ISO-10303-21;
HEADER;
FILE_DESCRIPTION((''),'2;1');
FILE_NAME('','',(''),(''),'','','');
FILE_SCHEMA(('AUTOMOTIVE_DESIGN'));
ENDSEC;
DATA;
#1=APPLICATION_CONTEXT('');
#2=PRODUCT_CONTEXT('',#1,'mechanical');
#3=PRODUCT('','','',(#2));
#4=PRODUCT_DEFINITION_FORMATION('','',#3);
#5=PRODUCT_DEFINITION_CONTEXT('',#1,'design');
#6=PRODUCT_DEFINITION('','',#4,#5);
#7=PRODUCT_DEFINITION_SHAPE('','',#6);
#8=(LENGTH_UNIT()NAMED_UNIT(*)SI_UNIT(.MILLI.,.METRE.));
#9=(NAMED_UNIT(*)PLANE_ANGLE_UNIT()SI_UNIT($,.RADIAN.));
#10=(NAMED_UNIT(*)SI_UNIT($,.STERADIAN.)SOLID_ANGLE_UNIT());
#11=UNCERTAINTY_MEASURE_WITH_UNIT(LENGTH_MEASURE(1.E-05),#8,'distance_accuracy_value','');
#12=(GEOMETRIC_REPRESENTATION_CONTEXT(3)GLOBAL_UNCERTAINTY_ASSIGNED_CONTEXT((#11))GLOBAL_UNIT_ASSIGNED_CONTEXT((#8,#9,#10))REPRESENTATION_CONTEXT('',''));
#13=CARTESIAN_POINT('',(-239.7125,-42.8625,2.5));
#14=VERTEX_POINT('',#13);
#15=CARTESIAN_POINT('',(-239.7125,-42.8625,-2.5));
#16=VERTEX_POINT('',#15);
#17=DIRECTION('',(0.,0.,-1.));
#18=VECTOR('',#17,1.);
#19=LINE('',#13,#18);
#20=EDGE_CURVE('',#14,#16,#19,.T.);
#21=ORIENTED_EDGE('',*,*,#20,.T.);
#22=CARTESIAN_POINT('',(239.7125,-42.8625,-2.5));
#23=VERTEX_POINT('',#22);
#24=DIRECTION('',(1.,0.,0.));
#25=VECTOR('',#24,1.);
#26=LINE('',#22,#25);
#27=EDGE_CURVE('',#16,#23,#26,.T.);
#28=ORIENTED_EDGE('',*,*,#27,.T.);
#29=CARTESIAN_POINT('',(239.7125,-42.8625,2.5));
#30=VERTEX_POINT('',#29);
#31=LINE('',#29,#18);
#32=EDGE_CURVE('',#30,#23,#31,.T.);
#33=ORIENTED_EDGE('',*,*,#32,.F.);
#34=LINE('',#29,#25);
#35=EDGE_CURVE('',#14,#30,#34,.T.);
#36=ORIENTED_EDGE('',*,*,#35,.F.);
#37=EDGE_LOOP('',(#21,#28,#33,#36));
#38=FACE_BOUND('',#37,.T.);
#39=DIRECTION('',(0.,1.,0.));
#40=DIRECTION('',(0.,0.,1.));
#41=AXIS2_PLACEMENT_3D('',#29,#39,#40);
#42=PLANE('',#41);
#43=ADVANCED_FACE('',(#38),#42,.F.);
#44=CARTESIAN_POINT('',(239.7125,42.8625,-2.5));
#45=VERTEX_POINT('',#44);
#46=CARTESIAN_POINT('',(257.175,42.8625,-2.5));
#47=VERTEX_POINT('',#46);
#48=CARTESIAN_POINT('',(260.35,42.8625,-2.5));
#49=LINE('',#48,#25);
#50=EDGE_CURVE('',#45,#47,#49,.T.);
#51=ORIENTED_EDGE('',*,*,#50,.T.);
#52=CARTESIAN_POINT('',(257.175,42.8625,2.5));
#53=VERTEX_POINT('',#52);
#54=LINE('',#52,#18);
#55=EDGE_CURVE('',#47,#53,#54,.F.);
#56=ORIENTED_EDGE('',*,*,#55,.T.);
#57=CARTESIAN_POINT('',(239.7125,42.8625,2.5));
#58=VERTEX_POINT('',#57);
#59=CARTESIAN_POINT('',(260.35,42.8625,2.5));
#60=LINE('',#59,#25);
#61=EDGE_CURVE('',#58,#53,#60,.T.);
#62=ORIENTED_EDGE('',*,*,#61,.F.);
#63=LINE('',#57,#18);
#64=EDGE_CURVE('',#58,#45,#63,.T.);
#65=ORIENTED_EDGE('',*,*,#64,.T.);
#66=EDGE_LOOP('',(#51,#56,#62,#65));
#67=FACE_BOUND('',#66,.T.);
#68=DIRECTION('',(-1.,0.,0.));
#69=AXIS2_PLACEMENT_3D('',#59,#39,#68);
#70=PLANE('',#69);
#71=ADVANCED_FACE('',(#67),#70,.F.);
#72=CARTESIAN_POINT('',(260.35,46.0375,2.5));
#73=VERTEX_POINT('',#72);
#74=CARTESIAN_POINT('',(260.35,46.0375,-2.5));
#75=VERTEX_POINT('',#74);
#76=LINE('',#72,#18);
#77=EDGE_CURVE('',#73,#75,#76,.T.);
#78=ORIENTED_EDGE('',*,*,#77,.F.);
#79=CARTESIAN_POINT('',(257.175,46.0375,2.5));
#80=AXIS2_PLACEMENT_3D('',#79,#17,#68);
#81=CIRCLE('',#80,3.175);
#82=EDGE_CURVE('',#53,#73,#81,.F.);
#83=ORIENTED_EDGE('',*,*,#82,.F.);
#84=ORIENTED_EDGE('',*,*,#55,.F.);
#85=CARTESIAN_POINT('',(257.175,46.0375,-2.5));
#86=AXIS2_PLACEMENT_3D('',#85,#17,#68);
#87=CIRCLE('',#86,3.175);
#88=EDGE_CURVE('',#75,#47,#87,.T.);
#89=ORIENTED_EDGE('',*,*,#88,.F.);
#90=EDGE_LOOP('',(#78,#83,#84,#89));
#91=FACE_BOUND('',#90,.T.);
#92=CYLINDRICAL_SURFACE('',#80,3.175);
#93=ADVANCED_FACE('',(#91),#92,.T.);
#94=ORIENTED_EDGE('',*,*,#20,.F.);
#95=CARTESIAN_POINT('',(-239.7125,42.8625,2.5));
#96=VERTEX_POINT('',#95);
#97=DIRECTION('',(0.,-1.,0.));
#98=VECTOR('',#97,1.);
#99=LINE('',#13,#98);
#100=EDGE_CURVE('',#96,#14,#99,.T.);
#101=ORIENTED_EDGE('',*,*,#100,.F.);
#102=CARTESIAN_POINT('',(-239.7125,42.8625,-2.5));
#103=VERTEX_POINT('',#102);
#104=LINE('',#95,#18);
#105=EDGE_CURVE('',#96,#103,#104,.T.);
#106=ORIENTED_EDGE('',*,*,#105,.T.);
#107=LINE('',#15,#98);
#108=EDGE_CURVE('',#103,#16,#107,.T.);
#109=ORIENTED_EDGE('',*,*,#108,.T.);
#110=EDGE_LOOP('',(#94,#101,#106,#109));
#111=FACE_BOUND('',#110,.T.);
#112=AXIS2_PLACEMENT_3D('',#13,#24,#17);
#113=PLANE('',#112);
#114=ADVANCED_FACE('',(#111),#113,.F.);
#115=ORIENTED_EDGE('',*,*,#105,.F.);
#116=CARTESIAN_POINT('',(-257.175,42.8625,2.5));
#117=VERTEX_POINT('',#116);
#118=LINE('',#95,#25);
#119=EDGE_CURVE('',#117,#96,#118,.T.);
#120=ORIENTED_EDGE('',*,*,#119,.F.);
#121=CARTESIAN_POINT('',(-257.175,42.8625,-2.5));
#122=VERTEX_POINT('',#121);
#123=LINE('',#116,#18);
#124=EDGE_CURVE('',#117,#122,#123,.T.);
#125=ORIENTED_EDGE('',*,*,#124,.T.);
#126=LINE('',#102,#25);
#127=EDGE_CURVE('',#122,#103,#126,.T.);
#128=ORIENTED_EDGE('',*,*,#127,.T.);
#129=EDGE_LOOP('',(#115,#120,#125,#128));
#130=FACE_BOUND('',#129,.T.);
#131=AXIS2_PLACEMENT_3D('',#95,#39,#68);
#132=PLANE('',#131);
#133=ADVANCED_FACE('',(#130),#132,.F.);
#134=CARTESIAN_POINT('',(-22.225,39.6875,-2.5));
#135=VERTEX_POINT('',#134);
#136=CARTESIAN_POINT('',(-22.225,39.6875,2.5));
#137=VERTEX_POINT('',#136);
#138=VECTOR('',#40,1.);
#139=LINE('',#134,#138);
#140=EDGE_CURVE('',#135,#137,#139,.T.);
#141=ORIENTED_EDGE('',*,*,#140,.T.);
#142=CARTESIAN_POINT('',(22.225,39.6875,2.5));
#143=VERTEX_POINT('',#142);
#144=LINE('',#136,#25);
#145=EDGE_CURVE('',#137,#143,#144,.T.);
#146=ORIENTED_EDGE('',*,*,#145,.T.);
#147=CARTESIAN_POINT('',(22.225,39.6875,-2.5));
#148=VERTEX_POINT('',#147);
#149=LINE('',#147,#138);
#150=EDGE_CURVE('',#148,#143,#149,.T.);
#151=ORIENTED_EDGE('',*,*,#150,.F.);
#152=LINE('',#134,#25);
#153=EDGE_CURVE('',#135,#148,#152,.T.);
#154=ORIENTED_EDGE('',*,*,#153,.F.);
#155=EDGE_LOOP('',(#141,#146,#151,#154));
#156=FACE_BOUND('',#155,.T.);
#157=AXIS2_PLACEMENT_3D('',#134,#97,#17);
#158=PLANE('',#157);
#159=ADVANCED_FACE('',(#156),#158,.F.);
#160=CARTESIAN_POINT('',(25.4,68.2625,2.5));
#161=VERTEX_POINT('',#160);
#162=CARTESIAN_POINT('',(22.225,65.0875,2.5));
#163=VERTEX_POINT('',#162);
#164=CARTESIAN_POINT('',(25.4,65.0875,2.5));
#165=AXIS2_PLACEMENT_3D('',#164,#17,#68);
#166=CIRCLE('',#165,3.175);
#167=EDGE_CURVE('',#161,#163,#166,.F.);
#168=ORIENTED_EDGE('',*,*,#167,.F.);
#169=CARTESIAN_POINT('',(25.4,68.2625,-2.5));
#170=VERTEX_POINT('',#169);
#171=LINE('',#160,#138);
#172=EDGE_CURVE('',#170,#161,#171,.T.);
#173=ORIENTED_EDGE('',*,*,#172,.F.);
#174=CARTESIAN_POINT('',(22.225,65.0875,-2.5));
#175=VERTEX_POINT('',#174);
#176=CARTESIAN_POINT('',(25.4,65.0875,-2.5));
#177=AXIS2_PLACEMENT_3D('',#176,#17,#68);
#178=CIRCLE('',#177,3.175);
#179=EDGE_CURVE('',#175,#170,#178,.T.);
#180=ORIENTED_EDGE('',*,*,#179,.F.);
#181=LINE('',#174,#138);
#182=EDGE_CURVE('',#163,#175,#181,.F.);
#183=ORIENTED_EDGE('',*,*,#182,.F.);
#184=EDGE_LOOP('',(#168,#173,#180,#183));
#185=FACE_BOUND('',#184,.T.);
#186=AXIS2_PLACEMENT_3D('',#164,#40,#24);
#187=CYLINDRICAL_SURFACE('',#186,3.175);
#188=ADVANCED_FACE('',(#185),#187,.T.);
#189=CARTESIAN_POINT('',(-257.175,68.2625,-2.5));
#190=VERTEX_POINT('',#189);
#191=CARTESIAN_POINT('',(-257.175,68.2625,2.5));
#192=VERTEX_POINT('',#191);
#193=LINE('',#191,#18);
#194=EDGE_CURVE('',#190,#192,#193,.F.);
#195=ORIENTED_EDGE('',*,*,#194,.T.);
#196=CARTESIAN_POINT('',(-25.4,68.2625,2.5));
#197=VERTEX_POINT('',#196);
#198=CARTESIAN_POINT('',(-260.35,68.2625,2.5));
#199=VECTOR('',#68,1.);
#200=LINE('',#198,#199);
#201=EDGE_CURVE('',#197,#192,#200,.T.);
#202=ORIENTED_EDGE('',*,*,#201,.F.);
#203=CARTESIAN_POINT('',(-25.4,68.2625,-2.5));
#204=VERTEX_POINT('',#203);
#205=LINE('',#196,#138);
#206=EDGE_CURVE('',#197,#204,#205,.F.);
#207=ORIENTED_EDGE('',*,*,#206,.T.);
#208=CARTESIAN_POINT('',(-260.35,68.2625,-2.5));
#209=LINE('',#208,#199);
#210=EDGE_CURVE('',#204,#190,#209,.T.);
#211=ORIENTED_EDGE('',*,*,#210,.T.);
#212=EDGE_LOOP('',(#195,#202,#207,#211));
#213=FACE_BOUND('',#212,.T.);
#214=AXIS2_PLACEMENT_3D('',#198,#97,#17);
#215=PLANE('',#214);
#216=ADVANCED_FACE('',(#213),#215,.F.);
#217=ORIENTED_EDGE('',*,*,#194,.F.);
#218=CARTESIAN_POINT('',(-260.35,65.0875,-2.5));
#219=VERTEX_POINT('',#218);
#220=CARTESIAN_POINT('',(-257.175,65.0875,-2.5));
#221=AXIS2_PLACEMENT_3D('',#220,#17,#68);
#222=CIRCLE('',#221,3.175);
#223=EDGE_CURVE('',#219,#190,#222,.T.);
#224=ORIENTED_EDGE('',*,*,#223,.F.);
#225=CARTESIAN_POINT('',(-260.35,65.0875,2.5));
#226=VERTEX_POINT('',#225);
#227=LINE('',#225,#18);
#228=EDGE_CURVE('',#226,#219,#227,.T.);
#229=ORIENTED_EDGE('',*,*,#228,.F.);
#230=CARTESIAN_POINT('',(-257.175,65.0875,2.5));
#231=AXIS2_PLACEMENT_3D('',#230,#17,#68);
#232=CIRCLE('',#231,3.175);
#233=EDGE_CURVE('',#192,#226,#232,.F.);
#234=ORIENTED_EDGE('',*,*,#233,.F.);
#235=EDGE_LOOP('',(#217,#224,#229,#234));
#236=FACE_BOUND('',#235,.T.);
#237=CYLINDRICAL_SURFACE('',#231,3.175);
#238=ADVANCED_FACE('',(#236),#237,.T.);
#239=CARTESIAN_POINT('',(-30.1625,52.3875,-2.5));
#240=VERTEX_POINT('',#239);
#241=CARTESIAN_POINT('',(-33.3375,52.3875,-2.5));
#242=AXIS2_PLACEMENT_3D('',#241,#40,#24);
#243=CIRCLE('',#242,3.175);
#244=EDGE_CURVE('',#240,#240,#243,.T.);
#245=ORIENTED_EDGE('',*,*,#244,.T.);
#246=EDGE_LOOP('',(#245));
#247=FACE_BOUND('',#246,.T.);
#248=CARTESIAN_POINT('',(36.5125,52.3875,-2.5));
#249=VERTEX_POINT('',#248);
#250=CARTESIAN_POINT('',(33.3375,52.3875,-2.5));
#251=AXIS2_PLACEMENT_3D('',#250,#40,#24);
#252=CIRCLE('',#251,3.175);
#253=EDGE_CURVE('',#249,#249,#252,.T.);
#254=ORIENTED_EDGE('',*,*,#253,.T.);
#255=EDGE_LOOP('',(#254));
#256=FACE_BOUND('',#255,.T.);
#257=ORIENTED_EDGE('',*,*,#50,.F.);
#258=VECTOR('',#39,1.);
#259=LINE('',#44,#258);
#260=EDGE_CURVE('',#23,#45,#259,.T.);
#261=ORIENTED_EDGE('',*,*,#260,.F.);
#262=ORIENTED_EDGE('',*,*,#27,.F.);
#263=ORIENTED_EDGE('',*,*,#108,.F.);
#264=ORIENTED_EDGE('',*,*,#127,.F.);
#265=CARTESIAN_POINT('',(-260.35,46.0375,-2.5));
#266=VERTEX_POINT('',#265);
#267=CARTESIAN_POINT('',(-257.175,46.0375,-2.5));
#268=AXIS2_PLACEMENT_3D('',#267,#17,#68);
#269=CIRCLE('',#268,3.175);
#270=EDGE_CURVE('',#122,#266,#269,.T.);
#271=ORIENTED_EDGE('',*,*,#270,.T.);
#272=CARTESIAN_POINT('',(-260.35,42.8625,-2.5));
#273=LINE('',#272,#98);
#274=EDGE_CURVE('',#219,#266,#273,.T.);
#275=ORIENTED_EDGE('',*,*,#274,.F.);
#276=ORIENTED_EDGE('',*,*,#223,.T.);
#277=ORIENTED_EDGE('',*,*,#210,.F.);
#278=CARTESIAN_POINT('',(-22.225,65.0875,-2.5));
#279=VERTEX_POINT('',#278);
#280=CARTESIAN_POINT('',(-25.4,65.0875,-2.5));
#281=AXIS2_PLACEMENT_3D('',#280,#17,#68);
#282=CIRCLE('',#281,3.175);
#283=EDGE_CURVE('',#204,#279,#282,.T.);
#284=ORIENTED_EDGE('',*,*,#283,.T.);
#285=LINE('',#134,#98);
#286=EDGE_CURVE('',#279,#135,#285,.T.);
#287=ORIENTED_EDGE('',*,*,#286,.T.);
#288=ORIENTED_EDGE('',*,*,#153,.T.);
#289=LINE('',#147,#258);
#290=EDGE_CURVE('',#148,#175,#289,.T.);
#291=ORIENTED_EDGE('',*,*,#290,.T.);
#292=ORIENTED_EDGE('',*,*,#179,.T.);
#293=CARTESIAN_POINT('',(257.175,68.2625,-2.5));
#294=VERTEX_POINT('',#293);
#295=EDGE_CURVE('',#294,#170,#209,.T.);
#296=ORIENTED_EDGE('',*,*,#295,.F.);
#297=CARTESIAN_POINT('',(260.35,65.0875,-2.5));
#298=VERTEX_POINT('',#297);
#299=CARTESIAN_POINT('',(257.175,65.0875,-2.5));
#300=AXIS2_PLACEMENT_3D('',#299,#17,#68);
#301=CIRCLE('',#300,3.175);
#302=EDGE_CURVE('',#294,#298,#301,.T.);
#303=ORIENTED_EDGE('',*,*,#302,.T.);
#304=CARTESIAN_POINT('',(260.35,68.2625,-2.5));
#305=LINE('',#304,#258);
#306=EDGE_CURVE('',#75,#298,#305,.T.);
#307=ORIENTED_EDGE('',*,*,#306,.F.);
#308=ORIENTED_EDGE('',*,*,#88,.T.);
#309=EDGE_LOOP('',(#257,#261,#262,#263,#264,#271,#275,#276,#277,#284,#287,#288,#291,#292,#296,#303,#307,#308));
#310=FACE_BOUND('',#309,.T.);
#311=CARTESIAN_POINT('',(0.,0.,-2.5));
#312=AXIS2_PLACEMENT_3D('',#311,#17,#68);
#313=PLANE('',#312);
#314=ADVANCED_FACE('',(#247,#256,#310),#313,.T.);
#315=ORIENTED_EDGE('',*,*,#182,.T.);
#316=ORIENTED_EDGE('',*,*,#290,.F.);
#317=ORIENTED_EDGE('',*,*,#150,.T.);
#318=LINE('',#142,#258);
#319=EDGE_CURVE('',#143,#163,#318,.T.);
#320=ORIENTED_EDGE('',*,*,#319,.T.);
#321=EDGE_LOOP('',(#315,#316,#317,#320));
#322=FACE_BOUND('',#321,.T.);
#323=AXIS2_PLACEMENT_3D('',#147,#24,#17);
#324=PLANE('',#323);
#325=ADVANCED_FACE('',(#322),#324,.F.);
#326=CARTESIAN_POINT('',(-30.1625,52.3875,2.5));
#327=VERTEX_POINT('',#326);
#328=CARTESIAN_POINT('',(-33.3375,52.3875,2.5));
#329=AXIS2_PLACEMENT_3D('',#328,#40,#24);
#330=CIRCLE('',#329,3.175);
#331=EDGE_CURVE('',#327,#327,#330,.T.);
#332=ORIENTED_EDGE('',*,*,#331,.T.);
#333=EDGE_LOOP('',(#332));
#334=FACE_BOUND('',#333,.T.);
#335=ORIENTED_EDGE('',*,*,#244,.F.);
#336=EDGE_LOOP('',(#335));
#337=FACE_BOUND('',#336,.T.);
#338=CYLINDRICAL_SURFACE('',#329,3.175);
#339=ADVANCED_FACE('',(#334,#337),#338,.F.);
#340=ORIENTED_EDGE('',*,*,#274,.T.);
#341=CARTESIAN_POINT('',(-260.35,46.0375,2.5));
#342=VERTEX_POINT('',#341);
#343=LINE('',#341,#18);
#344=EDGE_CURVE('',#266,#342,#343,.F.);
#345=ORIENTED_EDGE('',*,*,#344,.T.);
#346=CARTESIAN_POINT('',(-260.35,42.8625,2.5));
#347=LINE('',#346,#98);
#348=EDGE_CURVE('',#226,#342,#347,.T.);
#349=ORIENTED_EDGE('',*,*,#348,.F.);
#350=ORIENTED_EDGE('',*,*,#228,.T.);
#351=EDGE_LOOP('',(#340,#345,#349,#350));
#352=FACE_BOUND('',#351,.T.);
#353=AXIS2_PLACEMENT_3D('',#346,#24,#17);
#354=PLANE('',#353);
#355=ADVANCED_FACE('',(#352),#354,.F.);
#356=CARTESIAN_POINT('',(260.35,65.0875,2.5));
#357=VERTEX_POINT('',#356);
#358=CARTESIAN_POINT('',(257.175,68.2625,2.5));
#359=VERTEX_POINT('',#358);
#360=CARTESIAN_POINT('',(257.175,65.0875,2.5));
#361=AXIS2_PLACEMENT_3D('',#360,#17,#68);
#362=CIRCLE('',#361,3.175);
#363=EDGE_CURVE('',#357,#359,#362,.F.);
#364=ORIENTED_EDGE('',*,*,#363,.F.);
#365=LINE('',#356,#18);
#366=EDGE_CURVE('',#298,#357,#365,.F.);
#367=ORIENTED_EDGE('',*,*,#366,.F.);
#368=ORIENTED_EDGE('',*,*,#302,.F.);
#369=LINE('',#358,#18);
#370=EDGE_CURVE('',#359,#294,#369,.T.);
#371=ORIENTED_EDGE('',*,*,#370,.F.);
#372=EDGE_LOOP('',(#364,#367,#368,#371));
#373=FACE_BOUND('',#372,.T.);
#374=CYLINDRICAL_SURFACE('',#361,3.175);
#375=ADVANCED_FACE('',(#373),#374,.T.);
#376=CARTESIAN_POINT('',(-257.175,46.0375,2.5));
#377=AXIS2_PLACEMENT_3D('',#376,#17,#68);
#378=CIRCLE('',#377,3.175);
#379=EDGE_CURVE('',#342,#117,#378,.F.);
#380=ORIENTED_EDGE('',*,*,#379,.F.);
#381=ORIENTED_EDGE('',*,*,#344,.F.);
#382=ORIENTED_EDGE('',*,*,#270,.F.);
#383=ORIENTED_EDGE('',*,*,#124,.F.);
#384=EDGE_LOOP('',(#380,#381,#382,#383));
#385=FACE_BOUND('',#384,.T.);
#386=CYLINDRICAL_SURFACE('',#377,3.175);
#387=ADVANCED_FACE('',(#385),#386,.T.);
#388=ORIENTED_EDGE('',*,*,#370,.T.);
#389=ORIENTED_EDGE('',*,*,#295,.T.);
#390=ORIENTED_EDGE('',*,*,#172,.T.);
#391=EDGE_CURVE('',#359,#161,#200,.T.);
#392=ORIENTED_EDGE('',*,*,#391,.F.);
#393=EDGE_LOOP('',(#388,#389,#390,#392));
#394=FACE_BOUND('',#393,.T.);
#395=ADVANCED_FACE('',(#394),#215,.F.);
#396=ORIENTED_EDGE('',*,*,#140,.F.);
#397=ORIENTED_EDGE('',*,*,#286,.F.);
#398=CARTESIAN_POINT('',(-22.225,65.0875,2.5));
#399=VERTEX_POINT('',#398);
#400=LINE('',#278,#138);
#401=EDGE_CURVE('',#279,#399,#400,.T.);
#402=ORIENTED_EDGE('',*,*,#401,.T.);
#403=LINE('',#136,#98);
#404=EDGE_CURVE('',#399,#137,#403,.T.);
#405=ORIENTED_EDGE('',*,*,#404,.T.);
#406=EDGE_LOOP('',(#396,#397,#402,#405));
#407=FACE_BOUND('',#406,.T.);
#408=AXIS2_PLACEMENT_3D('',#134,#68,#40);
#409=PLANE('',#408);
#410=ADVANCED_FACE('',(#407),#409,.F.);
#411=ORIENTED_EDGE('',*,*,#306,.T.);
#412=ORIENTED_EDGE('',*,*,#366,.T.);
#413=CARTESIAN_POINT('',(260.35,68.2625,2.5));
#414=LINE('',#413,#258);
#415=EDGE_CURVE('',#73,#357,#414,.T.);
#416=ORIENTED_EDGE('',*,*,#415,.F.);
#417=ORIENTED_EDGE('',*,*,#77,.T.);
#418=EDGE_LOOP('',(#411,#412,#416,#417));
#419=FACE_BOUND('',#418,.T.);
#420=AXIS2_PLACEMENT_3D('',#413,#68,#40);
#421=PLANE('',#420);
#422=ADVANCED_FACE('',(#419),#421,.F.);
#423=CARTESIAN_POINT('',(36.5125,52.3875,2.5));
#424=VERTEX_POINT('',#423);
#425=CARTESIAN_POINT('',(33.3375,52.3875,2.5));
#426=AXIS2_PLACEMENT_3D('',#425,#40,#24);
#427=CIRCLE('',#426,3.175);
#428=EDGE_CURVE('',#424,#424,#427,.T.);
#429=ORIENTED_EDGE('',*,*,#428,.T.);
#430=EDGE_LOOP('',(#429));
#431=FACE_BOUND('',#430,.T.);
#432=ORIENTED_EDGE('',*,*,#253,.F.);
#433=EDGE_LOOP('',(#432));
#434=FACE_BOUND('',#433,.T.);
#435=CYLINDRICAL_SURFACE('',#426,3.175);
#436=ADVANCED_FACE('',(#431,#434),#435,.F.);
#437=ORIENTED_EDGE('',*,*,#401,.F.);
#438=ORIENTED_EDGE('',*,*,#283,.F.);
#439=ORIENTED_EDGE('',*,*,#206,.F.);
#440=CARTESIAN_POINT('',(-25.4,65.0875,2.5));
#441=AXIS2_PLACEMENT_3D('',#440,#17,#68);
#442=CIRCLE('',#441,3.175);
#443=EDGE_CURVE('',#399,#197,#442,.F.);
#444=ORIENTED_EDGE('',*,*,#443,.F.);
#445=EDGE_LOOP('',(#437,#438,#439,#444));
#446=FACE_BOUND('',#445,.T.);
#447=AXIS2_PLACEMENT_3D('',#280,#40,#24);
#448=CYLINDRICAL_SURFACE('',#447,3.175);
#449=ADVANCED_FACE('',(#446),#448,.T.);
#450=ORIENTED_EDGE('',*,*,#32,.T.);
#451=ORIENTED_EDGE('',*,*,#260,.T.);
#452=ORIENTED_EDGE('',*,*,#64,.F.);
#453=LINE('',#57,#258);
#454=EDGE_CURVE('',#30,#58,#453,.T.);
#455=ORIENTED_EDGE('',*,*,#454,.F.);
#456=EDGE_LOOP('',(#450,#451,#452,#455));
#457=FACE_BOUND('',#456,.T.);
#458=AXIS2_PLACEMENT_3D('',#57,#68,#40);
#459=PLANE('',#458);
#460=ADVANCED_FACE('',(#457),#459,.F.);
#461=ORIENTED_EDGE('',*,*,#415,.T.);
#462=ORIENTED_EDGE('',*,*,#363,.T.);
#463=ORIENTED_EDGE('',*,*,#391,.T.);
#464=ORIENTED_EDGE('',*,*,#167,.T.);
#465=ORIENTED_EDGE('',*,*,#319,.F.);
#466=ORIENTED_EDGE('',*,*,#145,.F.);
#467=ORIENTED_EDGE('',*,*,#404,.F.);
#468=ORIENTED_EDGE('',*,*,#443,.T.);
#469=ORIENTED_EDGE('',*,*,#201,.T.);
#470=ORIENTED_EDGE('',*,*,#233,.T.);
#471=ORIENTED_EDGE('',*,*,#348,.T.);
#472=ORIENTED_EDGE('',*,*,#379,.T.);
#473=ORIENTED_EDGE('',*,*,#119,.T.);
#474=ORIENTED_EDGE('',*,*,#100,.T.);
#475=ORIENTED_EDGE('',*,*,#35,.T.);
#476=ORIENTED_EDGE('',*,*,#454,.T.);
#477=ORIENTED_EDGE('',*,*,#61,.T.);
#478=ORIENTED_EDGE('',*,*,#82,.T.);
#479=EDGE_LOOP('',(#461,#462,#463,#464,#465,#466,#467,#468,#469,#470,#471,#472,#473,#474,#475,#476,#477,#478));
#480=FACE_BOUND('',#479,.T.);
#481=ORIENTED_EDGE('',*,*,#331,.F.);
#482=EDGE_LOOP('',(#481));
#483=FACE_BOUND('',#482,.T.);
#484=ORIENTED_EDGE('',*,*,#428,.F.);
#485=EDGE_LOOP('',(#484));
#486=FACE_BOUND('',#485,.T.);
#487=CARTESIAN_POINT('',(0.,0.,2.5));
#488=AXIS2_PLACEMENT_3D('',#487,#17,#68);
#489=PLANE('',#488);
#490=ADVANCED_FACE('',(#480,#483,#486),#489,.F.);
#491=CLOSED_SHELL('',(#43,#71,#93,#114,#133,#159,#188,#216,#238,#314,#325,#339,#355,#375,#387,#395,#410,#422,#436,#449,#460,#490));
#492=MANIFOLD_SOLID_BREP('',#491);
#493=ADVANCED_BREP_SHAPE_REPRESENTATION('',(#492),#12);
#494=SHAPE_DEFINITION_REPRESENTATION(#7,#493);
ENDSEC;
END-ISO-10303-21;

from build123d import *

# Parameters (mm, degrees)
BOSS_EXTRUDE1_DEPTH         = 2.5
SKETCH2_W                   = 44.45
SKETCH2_H                   = 28.575
CUT_EXTRUDE1_DEPTH          = 270.196752221
FILLET1_R                   = 3.175
F_1_4_0_25_DIAMETER_HOLE1_D = 6.35


with BuildPart() as part:
    # Sketch1 → Boss-Extrude1 (new, symmetric)
    with BuildSketch(Plane.XY):
        Polygon((-260.35, 68.2625), (260.35, 68.2625), (260.35, 42.8625), (239.7125, 42.8625), (239.7125, -42.8625), (-239.7125, -42.8625), (-239.7125, 42.8625), (-260.35, 42.8625), align=None)
    extrude(amount=BOSS_EXTRUDE1_DEPTH, both=True)

    # Sketch2 → Cut-Extrude1 (cut, through all)
    with BuildSketch(Plane.XY.offset(2.5)):
        with Locations((0, 53.975)):
            Rectangle(SKETCH2_W, SKETCH2_H)
    extrude(amount=-CUT_EXTRUDE1_DEPTH, mode=Mode.SUBTRACT)

    # Fillet1
    fillet1_edges = [part.edges().sort_by_distance(p)[0] for p in [
        (-260.35, 68.2625, 0),
        (260.35, 68.2625, 0),
        (260.35, 42.8625, 0),
        (-260.35, 42.8625, 0),
        (22.225, 68.2625, 0),
        (-22.225, 68.2625, 0),
    ]]
    fillet(fillet1_edges, radius=FILLET1_R)

    # 1/4 (0.25) Diameter Hole1 (through all)
    with Locations(Plane.XY.offset(2.5)):
        with Locations((-33.3375, 52.3875), (33.3375, 52.3875)):
            Hole(F_1_4_0_25_DIAMETER_HOLE1_D / 2)


solid = part.part
